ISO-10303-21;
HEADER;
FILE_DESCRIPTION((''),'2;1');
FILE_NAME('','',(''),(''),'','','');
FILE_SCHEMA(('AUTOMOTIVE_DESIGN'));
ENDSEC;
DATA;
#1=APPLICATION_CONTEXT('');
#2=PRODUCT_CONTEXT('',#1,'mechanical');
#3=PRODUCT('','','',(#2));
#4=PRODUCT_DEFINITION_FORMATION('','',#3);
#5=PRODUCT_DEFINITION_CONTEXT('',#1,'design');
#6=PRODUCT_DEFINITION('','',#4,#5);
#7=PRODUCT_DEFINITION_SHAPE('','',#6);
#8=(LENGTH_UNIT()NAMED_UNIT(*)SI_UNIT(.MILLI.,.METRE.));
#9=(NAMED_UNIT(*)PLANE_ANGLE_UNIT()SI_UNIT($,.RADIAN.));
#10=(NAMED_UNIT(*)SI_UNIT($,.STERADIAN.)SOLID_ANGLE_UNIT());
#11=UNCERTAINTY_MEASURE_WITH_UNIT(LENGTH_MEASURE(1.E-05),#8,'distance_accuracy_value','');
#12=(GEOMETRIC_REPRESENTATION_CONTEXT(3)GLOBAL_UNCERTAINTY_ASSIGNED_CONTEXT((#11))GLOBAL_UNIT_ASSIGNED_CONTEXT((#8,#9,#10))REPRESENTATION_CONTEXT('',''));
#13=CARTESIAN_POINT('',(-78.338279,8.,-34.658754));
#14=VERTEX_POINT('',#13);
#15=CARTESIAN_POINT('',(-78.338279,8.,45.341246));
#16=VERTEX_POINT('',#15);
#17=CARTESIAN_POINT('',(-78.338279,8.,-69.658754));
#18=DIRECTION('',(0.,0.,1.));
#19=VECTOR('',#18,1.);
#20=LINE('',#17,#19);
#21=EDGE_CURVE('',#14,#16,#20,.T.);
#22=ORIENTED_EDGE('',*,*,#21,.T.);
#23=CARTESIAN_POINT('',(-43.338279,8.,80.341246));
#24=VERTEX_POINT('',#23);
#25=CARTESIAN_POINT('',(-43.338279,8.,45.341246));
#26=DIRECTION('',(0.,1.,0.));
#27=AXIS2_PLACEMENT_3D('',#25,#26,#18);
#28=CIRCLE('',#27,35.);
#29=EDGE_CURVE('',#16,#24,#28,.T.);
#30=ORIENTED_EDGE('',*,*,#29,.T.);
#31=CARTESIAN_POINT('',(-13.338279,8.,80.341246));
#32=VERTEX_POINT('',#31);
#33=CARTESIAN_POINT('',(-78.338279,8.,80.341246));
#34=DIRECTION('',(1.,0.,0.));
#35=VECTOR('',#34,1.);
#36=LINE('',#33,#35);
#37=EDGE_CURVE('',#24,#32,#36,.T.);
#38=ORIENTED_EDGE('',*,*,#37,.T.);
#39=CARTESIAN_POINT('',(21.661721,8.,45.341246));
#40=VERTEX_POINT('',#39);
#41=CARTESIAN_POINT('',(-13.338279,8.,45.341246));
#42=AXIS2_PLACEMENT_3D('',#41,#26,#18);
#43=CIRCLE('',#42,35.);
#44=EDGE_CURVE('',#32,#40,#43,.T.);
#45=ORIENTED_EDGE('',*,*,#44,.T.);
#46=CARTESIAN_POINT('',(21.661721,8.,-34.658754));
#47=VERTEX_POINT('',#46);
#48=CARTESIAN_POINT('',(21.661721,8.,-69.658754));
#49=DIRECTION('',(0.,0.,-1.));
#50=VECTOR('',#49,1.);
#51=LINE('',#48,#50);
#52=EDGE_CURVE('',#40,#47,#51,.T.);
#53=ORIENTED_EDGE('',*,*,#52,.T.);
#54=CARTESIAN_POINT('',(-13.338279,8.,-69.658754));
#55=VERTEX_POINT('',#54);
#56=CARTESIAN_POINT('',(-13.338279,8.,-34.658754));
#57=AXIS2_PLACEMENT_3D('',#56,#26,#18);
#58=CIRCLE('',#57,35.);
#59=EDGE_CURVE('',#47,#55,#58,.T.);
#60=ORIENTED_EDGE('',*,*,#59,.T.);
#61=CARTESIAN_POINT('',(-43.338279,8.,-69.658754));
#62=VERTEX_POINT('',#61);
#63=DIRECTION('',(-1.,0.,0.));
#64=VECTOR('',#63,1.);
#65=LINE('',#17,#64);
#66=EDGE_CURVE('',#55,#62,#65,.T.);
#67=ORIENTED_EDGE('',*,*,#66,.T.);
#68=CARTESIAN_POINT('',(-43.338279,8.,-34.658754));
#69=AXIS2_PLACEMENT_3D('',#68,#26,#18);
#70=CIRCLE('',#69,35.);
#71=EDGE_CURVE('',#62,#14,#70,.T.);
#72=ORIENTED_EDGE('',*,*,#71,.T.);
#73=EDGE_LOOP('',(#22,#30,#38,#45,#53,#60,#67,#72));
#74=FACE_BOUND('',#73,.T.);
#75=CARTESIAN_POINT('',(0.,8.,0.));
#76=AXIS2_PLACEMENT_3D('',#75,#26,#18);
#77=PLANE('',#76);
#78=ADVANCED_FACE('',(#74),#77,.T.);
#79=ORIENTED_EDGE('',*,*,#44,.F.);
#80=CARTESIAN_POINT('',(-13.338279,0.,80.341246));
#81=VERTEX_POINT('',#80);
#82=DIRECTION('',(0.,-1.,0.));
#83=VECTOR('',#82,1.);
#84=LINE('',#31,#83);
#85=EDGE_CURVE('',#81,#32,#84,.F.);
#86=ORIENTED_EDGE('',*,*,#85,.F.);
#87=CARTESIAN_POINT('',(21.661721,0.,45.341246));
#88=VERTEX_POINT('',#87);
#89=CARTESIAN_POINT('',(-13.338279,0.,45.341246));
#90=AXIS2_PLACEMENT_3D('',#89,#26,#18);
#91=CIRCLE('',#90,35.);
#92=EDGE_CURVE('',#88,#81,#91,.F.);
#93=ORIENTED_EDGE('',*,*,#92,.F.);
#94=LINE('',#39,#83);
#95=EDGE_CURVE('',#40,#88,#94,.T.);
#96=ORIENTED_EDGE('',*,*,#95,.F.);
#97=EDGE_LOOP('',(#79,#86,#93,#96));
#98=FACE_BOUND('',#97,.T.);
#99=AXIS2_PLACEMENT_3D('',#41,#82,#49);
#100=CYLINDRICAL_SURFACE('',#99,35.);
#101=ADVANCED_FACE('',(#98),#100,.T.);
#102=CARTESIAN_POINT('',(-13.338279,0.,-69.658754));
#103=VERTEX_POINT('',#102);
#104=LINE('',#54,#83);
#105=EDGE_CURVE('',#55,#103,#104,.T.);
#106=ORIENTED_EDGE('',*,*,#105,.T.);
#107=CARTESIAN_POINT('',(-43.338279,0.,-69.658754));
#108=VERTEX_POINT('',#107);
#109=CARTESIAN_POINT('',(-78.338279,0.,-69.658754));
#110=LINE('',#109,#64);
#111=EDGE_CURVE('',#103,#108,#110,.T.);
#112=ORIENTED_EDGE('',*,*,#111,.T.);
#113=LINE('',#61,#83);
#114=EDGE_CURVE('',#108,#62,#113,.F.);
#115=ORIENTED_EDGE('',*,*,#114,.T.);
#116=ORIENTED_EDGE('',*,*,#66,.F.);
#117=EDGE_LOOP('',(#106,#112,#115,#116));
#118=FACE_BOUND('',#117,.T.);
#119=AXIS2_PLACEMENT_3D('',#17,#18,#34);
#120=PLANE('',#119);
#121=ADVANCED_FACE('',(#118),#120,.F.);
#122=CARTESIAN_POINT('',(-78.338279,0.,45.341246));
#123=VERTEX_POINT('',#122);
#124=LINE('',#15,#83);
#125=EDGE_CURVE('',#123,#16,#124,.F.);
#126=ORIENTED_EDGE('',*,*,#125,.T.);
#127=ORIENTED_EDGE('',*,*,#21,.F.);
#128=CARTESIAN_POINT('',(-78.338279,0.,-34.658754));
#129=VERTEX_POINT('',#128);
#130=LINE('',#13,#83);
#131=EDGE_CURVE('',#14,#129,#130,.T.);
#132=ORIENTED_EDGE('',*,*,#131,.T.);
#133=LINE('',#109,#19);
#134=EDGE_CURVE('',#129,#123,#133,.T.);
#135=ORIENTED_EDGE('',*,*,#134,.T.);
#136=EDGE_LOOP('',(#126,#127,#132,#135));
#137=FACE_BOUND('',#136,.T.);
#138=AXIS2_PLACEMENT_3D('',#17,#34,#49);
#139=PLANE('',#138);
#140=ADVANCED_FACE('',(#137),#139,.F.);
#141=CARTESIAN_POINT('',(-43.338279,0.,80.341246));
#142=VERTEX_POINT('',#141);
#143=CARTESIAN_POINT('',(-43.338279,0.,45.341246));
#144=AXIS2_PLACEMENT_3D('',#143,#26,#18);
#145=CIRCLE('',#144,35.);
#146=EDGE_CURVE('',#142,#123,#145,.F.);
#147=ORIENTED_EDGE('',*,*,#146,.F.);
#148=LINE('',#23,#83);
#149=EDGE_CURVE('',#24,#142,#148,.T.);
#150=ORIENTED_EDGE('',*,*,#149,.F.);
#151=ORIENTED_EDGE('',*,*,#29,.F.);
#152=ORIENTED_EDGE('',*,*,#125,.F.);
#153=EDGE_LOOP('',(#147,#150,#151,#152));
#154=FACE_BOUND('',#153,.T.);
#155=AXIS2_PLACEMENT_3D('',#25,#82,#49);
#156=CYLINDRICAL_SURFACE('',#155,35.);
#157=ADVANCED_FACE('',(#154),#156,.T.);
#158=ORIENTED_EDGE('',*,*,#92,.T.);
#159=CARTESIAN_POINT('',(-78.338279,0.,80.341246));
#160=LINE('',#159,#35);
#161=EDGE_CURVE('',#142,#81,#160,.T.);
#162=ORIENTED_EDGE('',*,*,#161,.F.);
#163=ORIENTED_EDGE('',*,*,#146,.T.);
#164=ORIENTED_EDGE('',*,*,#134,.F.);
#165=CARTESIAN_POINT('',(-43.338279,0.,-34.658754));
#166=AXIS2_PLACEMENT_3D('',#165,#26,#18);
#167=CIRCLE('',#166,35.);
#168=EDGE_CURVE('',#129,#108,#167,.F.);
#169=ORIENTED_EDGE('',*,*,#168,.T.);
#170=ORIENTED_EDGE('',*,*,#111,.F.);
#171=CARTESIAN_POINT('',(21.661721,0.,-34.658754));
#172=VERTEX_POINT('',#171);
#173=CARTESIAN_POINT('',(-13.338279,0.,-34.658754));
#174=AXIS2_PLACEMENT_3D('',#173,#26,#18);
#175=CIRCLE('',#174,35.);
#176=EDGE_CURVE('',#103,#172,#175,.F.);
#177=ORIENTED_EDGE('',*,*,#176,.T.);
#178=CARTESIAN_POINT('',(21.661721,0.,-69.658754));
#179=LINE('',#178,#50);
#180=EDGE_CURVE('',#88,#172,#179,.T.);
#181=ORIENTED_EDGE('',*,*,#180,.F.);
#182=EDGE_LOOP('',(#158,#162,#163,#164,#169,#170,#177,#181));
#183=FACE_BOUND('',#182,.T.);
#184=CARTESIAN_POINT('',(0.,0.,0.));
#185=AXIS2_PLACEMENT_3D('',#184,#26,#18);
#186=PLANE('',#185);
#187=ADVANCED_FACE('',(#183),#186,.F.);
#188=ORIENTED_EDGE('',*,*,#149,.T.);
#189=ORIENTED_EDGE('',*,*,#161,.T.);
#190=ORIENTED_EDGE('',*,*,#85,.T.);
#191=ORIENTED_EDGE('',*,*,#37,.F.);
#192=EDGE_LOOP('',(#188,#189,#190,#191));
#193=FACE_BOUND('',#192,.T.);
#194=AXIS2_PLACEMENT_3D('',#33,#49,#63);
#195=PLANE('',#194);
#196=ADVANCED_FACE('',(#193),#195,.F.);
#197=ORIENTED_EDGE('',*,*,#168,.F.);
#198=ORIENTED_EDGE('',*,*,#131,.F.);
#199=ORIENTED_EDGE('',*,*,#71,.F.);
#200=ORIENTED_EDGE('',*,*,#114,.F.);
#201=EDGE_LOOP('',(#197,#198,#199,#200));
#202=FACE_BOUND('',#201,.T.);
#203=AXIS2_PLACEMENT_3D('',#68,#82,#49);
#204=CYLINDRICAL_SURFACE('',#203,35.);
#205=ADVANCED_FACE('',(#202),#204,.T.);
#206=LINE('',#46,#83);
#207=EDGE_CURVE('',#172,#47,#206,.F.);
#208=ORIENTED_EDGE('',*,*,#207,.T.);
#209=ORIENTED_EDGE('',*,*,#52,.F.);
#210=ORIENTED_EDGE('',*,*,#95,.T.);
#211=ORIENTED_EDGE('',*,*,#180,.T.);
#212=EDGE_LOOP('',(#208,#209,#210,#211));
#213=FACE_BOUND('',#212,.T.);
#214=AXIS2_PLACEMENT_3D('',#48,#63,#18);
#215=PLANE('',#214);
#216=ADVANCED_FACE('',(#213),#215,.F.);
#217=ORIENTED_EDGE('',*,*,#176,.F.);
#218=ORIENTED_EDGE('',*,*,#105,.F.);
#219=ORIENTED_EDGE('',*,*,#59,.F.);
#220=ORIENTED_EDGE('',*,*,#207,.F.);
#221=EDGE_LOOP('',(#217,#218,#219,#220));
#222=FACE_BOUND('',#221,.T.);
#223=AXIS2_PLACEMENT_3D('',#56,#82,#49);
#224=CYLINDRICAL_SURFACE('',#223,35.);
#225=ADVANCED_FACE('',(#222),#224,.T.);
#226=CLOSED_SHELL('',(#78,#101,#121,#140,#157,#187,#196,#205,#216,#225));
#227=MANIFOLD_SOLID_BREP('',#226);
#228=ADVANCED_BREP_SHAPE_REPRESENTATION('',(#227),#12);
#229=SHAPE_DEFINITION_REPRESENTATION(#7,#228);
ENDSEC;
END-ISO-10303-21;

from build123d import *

# Parameters (mm, degrees)
SKETCH1_W           = 100
SKETCH1_H           = 150
BOSS_EXTRUDE1_DEPTH = 8
FILLET1_R           = 35


with BuildPart() as part:
    # Sketch1 → Boss-Extrude1 (new body)
    with BuildSketch(Plane(origin=(0, 0, 0), x_dir=(1, 0, 0), z_dir=(0, 1, 0))):
        with Locations((-28.338278932, -5.341246291)):
            Rectangle(SKETCH1_W, SKETCH1_H)
    extrude(amount=BOSS_EXTRUDE1_DEPTH)

    # Fillet1
    fillet1_edges = [part.edges().sort_by_distance(p)[0] for p in [
        (-78.338278932, 4, -69.658753709),
        (21.661721068, 4, -69.658753709),
        (21.661721068, 4, 80.341246291),
        (-78.338278932, 4, 80.341246291),
    ]]
    fillet(fillet1_edges, radius=FILLET1_R)


solid = part.part
